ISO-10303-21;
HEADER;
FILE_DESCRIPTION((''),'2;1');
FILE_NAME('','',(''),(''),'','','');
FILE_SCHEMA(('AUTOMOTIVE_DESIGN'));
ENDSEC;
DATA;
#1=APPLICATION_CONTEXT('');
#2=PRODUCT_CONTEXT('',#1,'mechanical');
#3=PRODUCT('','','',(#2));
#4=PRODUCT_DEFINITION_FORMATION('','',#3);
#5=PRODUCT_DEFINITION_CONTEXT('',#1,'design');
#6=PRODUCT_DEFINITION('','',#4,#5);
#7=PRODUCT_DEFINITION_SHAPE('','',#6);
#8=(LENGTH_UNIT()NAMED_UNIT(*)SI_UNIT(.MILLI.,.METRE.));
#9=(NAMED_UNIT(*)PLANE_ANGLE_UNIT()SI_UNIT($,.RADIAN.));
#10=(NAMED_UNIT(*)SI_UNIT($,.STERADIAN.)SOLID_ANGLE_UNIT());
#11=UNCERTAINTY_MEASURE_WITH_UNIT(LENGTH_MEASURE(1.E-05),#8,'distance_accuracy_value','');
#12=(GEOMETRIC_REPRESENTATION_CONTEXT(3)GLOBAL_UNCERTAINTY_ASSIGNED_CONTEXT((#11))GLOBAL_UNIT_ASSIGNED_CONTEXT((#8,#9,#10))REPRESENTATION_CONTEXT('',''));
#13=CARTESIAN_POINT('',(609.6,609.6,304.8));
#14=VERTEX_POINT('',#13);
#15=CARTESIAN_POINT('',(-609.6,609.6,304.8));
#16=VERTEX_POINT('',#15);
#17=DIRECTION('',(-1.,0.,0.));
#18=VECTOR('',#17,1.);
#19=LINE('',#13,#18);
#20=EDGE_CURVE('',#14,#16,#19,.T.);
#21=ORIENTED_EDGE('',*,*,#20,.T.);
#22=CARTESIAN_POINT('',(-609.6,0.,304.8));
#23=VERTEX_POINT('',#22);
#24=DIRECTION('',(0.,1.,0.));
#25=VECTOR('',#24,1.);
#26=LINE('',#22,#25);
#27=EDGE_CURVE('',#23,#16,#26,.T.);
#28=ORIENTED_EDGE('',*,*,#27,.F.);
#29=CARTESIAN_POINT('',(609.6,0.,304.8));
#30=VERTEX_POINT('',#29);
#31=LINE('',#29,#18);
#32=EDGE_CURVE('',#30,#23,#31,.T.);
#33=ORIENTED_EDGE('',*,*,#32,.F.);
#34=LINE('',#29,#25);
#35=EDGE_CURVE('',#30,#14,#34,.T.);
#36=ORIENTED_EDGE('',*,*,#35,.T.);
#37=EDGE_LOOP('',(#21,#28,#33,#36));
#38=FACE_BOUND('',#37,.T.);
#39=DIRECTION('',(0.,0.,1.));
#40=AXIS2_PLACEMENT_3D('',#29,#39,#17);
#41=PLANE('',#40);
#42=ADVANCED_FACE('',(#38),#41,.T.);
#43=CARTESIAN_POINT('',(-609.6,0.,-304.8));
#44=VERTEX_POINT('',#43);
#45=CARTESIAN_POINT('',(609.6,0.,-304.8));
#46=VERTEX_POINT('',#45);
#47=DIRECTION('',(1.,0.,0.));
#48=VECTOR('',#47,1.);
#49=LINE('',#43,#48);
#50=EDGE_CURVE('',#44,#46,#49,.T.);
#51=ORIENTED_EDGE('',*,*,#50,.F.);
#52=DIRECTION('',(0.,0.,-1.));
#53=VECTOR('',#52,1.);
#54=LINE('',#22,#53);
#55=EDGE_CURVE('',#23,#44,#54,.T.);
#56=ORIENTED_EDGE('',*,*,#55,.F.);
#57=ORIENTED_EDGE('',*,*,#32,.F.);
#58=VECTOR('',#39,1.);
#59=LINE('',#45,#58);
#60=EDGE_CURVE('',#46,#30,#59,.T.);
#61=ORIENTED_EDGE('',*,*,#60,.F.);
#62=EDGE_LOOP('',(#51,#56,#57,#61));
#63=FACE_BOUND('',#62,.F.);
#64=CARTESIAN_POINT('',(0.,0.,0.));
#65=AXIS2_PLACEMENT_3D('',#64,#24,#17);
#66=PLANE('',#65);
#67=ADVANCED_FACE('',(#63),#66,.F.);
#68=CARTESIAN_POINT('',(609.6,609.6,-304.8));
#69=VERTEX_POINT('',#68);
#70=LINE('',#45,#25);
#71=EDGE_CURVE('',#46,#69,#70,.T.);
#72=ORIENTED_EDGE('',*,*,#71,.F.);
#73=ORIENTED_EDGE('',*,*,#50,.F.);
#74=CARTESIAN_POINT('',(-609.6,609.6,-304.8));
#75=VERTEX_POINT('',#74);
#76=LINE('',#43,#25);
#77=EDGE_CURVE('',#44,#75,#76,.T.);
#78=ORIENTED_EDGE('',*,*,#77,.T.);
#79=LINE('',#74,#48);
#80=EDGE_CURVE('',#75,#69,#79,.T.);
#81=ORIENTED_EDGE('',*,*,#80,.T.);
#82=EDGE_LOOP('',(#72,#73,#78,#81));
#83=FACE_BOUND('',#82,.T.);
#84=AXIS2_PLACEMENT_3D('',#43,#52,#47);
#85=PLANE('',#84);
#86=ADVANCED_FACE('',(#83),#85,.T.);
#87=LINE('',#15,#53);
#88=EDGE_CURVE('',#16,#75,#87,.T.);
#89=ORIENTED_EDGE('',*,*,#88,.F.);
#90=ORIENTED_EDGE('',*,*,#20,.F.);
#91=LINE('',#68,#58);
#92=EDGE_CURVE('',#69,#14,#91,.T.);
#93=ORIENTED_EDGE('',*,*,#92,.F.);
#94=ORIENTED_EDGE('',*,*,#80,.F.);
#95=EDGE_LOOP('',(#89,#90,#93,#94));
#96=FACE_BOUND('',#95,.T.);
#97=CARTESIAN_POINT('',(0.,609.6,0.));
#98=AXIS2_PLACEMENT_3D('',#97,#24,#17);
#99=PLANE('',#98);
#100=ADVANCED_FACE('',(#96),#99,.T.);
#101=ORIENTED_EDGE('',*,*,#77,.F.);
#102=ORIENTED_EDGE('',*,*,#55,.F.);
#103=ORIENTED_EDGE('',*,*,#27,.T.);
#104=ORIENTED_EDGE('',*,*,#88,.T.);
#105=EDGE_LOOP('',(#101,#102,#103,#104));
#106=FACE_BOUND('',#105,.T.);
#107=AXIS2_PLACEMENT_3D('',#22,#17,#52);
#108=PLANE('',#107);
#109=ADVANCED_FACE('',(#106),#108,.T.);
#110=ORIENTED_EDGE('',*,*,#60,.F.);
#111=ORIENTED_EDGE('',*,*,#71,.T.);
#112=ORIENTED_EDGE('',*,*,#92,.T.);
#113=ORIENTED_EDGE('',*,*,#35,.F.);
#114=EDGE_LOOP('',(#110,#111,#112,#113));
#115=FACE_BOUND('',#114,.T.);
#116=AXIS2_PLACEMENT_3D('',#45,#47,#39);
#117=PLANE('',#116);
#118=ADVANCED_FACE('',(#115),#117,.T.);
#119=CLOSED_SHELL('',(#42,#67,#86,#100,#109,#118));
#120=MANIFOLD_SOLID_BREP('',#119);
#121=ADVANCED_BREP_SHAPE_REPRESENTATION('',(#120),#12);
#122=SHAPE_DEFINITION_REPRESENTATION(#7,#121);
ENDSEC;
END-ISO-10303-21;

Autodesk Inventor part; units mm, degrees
ref_plane "YZ Plane" through (0, 0, 0) normal (1, 0, 0) x (0, 1, 0)
ref_plane "XZ Plane" through (0, 0, 0) normal (0, 1, 0) x (-1, 0, 0)
ref_plane "XY Plane" through (0, 0, 0) normal (0, 0, 1) x (1, 0, 0)
sketch "Sketch1" plane through (0, 0, 0) normal (0, 1, 0) x (-1, 0, 0)
  line L0 (609.6, -304.8) -> (-609.6, -304.8)
  line L1 (-609.6, -304.8) -> (-609.6, 304.8)
  line L2 (-609.6, 304.8) -> (609.6, 304.8)
  line L3 (609.6, 304.8) -> (609.6, -304.8)
  line L4 (609.6, -304.8) -> (-609.6, 304.8) construction
  line L5 (-609.6, -304.8) -> (609.6, 304.8) construction
  point P0 (0, 0)
  dimension "d0" = 1219.2
  dimension "d1" = 609.6
extrude "Extrusion1" add sketch "Sketch1" along normal blind 609.6
properties part number "SeatWall" material "Limestone"
